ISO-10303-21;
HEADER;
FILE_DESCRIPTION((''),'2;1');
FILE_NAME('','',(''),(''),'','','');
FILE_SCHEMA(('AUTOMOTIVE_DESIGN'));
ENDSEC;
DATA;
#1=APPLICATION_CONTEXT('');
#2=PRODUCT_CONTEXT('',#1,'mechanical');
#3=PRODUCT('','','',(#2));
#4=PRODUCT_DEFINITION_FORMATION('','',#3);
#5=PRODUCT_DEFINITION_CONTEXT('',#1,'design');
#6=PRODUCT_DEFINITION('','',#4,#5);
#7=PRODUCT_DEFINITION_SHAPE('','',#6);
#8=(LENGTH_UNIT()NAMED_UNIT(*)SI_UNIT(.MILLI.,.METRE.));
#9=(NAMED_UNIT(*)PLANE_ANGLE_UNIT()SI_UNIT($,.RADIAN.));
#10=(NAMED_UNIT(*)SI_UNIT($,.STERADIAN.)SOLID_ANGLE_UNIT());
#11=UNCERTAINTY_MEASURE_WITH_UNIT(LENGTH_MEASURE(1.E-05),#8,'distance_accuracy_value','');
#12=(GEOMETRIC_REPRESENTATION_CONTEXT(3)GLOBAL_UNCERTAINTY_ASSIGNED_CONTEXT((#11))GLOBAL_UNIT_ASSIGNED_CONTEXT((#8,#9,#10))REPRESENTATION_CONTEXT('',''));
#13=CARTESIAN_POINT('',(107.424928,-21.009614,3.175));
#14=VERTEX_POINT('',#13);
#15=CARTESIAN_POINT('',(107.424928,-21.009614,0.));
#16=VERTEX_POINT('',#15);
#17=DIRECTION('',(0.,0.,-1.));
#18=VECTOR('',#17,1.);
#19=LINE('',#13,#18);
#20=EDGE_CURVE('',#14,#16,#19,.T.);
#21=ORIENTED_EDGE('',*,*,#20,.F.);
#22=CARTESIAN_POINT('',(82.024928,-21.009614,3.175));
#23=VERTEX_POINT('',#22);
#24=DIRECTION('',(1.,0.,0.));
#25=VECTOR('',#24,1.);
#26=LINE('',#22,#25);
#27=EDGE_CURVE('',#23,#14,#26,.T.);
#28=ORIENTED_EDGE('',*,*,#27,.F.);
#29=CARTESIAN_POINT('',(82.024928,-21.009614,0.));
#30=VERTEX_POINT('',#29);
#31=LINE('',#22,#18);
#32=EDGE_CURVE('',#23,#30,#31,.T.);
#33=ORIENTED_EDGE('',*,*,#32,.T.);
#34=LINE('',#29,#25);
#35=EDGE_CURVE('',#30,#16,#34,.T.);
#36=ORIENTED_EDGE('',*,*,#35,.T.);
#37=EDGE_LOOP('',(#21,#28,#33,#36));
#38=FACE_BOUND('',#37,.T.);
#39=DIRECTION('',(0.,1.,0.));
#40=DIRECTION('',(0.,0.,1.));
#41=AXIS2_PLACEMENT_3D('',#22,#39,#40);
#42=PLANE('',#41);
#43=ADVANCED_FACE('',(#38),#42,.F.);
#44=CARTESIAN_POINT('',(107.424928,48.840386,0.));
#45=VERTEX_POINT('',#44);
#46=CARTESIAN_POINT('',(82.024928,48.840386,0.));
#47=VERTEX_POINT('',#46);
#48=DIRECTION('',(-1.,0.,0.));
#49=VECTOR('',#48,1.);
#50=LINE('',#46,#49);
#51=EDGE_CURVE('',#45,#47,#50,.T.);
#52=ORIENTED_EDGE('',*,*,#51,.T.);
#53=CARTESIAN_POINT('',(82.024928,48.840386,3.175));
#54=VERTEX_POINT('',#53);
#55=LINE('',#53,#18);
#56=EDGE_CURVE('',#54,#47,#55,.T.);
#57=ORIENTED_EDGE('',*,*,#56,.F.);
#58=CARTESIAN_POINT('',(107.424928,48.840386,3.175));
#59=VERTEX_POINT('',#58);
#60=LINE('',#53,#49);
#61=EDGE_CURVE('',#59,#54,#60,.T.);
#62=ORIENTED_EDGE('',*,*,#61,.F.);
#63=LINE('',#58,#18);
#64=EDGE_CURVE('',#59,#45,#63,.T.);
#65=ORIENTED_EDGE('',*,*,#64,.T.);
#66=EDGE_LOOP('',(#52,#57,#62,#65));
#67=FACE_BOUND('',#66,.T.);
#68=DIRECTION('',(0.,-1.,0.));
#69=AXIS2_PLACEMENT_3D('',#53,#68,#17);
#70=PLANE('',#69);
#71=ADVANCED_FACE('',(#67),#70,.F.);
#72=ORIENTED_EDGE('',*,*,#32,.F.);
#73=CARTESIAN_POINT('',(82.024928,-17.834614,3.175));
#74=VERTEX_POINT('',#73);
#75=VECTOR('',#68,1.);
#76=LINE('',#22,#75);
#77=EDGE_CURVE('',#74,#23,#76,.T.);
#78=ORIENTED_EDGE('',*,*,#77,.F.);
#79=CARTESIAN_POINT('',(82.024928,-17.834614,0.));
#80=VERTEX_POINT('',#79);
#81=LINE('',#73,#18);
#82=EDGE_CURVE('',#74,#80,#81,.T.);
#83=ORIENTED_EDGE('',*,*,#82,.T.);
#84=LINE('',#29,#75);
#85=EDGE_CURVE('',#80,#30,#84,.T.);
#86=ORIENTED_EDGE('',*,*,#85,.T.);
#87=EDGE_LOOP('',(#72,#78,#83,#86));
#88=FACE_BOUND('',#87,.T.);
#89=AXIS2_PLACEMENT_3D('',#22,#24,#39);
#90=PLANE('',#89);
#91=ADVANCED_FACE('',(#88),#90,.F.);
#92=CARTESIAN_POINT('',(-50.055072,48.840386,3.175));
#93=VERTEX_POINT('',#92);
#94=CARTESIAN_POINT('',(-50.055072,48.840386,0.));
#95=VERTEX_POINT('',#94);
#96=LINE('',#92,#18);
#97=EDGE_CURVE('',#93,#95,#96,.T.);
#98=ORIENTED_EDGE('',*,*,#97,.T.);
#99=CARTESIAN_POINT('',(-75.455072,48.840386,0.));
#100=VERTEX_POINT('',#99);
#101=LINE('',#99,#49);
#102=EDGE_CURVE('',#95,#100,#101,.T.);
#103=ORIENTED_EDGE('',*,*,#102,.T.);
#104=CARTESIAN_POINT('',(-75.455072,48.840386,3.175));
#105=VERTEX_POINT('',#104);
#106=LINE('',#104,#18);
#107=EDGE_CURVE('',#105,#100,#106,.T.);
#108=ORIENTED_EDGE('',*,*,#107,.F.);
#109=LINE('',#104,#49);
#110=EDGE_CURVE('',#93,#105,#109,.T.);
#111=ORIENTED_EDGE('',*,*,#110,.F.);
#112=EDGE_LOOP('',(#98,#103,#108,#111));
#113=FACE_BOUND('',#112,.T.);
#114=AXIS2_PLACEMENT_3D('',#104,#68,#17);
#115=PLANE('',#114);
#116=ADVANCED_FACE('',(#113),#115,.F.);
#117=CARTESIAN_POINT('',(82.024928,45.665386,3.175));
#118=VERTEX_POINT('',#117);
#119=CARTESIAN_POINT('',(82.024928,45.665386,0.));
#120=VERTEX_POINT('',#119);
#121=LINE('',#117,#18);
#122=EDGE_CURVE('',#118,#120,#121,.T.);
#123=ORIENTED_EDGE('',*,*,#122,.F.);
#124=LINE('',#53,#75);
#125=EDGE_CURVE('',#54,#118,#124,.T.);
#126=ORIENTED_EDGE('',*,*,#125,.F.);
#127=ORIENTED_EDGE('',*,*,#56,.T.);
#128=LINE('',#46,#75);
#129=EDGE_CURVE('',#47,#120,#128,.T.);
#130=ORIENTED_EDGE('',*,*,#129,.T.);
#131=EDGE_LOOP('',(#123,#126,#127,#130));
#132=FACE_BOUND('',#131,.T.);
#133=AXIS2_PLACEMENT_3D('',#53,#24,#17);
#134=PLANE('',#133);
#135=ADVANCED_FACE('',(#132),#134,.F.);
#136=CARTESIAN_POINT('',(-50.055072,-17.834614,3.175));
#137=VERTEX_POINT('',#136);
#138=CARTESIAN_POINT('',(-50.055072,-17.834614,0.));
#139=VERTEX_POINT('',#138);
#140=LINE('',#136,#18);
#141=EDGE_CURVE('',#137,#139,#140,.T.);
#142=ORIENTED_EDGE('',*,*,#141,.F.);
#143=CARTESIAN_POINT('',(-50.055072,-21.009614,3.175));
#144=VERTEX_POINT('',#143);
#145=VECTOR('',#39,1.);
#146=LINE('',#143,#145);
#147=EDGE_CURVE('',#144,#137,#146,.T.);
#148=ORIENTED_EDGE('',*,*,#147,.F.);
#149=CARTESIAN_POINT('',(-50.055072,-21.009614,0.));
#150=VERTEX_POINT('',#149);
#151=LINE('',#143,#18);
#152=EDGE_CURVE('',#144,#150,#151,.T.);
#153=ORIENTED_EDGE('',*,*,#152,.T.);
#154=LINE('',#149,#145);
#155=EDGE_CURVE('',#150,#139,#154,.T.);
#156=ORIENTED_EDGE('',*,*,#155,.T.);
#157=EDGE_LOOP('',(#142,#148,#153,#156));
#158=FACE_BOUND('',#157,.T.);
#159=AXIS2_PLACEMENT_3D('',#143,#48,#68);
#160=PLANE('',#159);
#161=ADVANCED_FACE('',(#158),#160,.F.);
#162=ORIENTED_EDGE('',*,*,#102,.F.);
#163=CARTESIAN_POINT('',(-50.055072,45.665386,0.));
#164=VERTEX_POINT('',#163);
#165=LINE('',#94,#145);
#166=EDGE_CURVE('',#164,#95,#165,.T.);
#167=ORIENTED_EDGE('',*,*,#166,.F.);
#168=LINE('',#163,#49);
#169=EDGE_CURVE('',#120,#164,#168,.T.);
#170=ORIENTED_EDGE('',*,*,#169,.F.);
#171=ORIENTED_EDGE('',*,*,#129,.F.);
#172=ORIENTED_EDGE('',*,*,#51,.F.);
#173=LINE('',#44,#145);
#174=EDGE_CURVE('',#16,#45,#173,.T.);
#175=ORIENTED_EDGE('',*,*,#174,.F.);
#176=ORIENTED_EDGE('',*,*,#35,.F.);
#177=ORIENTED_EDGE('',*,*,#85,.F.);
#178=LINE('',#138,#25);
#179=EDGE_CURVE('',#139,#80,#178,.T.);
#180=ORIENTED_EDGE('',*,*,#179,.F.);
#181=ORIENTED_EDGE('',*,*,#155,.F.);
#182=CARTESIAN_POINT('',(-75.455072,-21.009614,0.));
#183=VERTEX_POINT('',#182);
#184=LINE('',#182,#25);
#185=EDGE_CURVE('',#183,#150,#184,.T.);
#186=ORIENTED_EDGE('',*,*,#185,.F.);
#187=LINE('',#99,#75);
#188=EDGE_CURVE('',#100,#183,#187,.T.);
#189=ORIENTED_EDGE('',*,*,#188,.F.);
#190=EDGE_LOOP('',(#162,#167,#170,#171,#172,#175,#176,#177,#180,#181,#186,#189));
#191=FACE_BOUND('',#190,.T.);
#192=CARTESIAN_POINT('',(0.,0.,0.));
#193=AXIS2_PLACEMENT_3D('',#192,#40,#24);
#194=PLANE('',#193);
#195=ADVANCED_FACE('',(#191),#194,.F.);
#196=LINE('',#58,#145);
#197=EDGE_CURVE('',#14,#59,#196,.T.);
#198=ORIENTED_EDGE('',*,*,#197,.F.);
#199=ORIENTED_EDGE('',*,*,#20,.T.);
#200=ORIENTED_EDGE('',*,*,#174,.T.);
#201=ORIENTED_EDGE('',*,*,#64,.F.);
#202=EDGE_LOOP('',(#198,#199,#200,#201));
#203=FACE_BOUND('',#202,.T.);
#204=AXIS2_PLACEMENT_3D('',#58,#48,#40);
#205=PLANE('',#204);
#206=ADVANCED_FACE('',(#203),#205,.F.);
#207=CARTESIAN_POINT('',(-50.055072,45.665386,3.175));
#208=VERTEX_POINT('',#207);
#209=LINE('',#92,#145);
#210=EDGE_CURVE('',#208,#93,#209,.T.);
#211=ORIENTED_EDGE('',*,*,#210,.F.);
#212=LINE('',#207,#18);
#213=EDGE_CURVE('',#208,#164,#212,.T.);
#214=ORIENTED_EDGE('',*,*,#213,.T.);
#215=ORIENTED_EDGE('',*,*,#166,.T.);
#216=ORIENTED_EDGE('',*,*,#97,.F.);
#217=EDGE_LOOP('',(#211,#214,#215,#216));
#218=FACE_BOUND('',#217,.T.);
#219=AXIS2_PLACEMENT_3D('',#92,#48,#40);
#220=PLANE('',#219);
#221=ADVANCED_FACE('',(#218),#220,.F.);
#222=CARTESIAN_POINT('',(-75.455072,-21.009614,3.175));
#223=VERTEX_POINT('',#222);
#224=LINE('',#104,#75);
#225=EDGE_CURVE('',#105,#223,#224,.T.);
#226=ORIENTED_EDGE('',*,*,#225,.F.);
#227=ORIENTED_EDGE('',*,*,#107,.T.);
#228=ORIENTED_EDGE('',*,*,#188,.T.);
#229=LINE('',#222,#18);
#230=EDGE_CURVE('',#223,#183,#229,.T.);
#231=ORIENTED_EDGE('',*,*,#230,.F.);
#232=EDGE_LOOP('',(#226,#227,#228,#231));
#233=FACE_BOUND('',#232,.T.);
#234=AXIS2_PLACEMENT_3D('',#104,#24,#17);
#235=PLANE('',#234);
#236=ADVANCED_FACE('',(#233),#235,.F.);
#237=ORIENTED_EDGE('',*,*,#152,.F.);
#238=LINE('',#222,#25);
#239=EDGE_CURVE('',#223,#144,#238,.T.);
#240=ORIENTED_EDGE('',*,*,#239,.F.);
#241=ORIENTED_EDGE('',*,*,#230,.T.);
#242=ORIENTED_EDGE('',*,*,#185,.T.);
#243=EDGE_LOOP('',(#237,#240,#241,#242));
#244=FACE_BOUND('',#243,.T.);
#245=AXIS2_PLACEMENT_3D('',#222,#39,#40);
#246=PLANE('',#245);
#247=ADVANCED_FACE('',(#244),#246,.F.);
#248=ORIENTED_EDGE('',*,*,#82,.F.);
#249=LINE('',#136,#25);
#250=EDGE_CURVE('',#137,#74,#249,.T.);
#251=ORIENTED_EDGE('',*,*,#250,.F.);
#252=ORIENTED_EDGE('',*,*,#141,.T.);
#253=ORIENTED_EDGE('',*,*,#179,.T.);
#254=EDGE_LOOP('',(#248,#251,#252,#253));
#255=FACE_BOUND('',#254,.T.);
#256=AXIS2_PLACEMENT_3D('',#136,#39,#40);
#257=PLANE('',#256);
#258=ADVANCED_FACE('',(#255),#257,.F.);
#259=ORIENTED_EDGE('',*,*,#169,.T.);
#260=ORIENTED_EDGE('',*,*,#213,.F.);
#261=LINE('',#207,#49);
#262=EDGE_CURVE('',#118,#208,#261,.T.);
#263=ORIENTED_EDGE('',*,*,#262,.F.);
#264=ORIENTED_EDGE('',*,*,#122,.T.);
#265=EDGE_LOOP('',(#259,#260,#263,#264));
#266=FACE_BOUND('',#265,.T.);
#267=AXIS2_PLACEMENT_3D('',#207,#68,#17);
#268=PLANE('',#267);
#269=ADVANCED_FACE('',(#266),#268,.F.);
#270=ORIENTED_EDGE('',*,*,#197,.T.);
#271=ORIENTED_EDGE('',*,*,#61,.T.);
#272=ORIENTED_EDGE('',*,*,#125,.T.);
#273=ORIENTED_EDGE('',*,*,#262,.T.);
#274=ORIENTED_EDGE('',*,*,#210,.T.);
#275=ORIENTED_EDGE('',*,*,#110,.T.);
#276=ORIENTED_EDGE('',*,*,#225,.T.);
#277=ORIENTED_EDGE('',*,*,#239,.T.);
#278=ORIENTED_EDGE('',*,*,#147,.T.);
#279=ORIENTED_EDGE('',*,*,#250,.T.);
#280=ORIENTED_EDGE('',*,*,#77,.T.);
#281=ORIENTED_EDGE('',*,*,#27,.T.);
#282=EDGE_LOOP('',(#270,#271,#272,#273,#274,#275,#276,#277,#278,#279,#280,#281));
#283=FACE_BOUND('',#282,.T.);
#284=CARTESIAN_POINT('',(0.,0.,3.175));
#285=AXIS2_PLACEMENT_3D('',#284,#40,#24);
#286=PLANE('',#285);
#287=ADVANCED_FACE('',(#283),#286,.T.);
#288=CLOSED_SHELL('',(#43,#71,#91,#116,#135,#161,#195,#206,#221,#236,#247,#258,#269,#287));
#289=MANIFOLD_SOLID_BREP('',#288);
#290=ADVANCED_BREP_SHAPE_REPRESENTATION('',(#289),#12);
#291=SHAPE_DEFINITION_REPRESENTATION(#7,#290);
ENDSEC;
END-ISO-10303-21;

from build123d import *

# Parameters (mm, degrees)
BOSS_EXTRUDE1_DEPTH = 3.175


with BuildPart() as part:
    # Sketch2 → Boss-Extrude1 (new body)
    with BuildSketch(Plane.XY):
        Polygon((-75.455072088, 48.840386), (-50.055072088, 48.840386), (-50.055072088, 45.665386), (82.024927912, 45.665386), (82.024927912, 48.840386), (107.424927912, 48.840386), (107.424927912, -21.009614), (82.024927912, -21.009614), (82.024927912, -17.834614), (-50.055072088, -17.834614), (-50.055072088, -21.009614), (-75.455072088, -21.009614), align=None)
    extrude(amount=BOSS_EXTRUDE1_DEPTH)


solid = part.part
